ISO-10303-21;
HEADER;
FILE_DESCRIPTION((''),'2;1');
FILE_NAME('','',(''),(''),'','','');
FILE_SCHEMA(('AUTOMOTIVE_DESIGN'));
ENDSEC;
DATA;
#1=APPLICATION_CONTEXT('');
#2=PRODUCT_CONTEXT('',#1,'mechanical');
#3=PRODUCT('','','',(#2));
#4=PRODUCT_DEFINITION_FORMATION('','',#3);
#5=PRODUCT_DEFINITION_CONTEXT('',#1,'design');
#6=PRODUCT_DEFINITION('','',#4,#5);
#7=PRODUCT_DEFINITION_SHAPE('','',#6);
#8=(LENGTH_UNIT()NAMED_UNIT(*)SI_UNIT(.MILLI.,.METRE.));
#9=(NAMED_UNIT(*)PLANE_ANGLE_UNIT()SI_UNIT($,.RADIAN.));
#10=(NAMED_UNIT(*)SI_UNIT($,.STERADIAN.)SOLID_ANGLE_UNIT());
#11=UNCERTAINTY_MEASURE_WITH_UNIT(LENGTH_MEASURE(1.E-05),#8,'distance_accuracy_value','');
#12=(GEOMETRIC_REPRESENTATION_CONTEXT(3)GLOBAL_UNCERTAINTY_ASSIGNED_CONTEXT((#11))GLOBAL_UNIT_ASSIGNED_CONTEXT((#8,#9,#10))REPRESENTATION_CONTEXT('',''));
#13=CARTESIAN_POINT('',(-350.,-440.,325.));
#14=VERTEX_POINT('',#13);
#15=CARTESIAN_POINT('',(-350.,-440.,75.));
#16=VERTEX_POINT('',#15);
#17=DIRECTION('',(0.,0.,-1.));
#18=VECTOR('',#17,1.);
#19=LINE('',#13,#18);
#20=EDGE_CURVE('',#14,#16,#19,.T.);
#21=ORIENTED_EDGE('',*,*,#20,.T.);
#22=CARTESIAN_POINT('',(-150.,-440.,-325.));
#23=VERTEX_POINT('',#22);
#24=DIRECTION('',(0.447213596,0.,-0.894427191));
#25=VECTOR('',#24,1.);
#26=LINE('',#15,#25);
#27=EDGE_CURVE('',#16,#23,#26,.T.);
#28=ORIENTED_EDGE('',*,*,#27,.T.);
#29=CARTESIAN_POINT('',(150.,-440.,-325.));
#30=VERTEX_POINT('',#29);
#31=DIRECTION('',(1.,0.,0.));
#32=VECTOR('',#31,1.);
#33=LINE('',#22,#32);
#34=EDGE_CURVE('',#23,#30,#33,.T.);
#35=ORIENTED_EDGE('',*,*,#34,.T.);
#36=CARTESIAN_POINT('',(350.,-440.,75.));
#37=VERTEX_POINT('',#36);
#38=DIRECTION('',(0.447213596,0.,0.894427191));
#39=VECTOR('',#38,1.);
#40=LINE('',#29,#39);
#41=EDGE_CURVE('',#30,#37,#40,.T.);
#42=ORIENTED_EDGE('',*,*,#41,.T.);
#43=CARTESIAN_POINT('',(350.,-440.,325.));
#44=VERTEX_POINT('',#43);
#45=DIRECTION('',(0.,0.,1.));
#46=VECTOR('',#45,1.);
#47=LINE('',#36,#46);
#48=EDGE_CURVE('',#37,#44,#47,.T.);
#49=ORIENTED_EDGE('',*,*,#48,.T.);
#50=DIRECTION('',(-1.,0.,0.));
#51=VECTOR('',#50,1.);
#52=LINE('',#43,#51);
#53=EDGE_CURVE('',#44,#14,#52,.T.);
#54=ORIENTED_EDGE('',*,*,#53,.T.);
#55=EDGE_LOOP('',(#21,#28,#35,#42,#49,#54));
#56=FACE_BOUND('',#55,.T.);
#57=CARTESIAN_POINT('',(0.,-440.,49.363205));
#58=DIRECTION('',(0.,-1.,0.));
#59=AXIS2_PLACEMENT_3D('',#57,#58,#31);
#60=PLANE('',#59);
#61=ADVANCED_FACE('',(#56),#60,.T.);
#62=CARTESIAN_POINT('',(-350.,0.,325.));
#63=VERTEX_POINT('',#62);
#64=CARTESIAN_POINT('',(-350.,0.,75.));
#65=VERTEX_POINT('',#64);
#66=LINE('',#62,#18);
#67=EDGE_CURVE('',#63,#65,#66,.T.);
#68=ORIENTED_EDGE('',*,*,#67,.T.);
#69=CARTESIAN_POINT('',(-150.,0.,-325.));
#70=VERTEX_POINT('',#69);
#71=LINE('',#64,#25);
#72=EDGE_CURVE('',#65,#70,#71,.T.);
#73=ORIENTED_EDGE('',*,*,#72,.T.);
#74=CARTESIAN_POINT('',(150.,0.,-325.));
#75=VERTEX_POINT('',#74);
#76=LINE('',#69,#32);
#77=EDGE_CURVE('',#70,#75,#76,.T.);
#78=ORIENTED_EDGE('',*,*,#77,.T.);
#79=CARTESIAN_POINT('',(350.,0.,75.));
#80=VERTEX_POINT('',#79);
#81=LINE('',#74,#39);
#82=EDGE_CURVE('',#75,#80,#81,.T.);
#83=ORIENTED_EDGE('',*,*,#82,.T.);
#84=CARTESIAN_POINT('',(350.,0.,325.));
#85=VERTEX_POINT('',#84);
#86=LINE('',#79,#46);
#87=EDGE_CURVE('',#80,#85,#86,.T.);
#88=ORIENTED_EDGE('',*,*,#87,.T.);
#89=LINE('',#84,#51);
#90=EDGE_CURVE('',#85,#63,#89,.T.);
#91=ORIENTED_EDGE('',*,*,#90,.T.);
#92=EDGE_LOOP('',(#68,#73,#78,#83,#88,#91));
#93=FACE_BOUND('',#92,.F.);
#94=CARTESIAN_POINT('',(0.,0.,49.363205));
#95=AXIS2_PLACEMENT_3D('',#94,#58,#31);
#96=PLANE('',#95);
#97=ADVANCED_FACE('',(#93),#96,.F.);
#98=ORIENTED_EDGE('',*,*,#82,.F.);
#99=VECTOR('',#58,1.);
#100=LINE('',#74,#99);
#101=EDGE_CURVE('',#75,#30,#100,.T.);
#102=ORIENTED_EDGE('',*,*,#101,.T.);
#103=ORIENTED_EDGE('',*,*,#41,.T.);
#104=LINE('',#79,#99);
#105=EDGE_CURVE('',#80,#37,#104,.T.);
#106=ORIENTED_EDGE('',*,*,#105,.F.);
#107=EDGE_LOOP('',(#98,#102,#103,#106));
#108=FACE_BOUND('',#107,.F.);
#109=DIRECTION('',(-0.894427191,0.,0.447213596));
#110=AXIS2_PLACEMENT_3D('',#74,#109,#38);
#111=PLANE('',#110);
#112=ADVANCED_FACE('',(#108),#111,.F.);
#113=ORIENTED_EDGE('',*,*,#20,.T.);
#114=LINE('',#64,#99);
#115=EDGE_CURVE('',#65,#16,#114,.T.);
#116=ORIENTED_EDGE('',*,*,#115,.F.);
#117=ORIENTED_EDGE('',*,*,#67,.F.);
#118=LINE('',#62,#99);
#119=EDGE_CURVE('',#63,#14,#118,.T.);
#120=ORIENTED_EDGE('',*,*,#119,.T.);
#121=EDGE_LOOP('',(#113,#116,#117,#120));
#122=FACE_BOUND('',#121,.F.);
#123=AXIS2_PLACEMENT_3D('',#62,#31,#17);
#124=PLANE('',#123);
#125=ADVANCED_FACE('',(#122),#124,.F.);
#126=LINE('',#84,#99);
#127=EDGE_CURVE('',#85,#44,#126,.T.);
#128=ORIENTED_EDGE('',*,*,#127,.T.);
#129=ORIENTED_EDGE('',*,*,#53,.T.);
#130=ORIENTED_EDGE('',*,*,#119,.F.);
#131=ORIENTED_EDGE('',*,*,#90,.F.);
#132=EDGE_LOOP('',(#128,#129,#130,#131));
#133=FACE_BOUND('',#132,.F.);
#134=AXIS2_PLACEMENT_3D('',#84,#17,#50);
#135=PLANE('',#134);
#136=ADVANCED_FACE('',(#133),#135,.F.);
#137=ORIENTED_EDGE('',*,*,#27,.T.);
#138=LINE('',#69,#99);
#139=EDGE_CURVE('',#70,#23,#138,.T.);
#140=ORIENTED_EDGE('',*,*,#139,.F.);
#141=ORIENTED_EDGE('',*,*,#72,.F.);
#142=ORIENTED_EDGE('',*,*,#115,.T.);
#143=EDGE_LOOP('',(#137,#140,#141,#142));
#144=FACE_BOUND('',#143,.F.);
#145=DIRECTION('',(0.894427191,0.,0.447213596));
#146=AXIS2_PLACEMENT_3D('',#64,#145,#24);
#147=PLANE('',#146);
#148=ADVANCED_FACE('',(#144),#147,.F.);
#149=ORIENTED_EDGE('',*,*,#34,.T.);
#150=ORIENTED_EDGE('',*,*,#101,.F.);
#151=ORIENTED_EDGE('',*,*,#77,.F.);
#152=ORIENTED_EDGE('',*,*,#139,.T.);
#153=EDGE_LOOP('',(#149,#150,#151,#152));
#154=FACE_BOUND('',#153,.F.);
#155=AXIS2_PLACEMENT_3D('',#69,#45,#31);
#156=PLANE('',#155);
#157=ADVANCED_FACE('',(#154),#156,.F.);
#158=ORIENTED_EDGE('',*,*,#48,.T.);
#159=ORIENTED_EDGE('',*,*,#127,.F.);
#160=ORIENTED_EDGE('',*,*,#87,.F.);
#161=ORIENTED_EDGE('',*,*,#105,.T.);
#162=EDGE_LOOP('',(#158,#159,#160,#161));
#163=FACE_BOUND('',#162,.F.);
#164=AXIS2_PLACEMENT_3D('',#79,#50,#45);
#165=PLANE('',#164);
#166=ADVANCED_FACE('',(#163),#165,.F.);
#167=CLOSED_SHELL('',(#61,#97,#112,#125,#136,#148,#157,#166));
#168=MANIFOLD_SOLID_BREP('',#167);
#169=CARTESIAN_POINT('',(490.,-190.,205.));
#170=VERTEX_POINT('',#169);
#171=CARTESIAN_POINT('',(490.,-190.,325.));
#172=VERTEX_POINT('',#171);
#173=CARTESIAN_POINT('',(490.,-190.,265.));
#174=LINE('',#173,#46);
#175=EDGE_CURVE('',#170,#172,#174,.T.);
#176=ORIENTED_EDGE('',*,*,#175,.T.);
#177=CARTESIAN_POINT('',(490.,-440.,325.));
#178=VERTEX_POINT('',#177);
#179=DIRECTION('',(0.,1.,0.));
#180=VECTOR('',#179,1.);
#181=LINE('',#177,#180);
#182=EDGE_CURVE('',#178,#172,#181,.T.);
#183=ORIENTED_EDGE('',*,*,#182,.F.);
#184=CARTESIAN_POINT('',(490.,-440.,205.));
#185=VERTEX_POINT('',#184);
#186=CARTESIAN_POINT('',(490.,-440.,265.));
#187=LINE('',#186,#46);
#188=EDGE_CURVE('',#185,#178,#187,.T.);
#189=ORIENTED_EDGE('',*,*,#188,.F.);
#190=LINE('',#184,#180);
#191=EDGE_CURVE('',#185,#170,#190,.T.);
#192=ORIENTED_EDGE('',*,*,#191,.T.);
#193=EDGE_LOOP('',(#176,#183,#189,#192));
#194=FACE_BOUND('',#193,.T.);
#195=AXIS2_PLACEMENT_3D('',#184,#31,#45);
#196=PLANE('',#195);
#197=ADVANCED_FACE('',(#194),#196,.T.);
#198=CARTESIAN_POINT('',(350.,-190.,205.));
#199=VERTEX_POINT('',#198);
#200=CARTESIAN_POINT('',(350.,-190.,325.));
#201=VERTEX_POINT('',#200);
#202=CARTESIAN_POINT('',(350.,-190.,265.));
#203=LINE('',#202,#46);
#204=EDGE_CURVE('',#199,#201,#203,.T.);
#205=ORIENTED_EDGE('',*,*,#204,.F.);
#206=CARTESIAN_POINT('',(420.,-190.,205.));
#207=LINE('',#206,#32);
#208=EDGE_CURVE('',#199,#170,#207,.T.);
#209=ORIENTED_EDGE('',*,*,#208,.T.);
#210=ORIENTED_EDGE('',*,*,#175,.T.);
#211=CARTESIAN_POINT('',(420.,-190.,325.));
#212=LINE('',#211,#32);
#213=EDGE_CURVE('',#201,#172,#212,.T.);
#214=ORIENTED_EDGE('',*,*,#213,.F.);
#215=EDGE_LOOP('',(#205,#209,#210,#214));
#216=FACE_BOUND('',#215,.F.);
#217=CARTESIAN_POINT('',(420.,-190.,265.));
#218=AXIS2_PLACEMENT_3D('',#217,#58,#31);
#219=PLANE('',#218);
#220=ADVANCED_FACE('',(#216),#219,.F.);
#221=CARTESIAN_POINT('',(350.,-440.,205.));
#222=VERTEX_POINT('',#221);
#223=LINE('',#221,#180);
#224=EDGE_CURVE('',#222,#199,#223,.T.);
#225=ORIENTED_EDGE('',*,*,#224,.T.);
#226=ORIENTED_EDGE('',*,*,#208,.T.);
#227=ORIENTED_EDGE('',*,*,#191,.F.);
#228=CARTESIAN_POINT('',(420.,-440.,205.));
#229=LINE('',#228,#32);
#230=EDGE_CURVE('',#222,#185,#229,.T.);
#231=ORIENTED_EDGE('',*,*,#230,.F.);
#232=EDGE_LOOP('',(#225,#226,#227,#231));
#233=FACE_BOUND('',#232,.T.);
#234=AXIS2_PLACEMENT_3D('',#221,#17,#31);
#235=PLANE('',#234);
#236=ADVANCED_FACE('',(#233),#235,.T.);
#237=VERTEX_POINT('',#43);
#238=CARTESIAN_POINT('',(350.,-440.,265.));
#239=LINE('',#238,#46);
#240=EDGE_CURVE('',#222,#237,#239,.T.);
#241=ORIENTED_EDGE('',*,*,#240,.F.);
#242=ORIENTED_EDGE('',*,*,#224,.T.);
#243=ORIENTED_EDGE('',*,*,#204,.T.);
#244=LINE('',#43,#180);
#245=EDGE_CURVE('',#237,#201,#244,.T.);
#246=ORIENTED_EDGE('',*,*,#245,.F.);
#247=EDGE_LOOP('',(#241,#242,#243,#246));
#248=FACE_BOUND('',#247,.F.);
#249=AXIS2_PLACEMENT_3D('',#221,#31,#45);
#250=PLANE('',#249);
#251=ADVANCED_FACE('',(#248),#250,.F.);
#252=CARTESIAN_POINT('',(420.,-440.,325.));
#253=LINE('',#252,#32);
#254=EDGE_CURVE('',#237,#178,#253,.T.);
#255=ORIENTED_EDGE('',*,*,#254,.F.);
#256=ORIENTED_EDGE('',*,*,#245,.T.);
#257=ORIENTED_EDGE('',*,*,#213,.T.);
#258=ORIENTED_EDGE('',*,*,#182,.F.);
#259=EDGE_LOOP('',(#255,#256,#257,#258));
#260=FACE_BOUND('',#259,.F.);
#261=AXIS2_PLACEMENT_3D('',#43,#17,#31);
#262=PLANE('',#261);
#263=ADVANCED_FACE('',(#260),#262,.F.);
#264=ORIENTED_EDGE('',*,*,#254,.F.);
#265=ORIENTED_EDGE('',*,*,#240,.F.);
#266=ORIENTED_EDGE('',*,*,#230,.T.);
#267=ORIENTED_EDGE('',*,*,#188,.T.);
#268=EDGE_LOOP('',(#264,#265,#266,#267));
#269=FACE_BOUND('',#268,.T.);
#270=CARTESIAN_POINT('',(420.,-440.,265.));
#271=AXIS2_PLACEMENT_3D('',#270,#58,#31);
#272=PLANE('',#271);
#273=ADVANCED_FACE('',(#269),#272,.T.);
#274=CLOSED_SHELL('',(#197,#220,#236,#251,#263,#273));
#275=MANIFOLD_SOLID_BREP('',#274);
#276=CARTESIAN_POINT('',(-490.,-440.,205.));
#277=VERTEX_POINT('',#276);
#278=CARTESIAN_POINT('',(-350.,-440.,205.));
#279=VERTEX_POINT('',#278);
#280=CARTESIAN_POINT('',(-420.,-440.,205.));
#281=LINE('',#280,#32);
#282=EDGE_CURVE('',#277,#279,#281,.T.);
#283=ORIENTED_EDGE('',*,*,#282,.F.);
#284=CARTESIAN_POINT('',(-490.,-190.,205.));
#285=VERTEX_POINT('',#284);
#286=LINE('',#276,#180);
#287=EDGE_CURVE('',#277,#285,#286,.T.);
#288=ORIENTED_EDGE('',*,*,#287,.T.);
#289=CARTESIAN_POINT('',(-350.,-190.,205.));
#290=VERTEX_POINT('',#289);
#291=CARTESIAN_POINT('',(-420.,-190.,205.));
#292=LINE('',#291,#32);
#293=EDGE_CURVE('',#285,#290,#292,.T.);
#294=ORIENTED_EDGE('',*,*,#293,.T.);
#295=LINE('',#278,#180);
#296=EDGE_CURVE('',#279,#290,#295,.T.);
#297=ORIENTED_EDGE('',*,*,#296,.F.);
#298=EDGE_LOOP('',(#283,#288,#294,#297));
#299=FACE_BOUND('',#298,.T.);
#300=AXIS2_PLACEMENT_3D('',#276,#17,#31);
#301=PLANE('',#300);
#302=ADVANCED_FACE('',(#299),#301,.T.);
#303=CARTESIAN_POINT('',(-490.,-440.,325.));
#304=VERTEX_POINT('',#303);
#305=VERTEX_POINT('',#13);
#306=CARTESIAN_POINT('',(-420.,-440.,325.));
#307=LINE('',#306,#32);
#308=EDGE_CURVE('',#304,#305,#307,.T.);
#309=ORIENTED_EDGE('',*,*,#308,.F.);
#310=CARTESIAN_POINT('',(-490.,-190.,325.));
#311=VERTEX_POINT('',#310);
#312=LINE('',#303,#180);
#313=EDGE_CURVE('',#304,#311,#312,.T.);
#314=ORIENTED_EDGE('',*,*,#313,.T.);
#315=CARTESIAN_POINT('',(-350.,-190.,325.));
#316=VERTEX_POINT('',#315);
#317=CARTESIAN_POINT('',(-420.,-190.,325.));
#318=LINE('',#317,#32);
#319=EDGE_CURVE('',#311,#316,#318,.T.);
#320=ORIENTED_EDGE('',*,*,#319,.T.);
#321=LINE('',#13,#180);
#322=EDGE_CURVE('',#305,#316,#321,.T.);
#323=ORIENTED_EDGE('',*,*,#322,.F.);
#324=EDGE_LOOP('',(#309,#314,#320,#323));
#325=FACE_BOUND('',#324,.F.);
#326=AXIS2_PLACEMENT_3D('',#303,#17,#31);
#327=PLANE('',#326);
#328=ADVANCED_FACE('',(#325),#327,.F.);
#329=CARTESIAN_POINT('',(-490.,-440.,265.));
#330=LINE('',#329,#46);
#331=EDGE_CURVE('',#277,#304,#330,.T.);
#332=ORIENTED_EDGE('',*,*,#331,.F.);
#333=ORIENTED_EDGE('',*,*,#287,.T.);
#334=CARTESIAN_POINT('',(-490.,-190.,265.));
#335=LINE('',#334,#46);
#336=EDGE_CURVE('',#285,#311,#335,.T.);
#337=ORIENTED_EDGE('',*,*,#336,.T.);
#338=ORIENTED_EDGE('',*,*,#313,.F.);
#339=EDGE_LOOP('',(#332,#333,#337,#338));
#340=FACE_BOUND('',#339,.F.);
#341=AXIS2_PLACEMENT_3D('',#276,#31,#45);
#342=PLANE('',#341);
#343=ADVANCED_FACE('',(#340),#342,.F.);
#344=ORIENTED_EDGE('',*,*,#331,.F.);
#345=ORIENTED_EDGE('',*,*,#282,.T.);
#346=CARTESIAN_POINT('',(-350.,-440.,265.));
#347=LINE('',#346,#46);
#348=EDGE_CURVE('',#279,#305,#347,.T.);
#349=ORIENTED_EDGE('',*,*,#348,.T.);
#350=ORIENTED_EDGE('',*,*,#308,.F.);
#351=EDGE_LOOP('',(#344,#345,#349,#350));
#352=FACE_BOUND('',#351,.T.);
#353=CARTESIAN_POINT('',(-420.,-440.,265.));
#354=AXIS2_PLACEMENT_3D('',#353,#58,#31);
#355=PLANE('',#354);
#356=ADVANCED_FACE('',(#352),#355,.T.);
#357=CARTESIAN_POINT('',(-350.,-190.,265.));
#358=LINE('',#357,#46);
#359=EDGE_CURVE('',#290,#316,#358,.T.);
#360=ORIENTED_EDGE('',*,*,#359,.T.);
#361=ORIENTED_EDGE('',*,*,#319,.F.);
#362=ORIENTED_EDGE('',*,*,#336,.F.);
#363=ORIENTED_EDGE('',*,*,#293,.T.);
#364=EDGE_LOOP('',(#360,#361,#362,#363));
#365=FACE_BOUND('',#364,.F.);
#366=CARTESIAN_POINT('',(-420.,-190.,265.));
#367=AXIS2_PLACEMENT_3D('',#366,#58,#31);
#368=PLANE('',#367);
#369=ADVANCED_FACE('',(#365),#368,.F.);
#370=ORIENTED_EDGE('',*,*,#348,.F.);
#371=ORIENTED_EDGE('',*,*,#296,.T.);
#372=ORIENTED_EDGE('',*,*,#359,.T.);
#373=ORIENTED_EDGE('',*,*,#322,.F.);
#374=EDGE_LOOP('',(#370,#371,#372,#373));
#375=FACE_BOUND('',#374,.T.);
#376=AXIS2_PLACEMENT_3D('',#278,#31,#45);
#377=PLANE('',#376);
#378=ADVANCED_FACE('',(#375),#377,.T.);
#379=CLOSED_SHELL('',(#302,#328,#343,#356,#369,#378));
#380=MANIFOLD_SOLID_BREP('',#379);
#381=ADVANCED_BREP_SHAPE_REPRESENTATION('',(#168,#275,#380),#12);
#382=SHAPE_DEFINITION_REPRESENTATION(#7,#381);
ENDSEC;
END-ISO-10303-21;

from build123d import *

# Parameters (mm, degrees)
F1_DEPTH = 440
F2_W     = 140
F2_H     = 120
F3_DEPTH = 250
F4_W     = 140
F4_H     = 120
F5_DEPTH = 250


with BuildPart() as f1:
    # F0 (on Front) → F1 (new body)
    with BuildSketch(Plane.XZ):
        Polygon((350, 75), (350, 325), (-350, 325), (-350, 75), (-150, -325), (150, -325), align=None)
    extrude(amount=F1_DEPTH)


with BuildPart() as f3:
    # F2 (on face) → F3 (new body)
    with BuildSketch(Plane.XZ.offset(440)):
        with Locations((-420, 265)):
            Rectangle(F2_W, F2_H)
    extrude(amount=-F3_DEPTH)


with BuildPart() as f5:
    # F4 (on face) → F5 (new body)
    with BuildSketch(Plane.XZ.offset(440)):
        with Locations((420, 265)):
            Rectangle(F4_W, F4_H)
    extrude(amount=-F5_DEPTH)


solid = Compound([f1.part, f3.part, f5.part])
